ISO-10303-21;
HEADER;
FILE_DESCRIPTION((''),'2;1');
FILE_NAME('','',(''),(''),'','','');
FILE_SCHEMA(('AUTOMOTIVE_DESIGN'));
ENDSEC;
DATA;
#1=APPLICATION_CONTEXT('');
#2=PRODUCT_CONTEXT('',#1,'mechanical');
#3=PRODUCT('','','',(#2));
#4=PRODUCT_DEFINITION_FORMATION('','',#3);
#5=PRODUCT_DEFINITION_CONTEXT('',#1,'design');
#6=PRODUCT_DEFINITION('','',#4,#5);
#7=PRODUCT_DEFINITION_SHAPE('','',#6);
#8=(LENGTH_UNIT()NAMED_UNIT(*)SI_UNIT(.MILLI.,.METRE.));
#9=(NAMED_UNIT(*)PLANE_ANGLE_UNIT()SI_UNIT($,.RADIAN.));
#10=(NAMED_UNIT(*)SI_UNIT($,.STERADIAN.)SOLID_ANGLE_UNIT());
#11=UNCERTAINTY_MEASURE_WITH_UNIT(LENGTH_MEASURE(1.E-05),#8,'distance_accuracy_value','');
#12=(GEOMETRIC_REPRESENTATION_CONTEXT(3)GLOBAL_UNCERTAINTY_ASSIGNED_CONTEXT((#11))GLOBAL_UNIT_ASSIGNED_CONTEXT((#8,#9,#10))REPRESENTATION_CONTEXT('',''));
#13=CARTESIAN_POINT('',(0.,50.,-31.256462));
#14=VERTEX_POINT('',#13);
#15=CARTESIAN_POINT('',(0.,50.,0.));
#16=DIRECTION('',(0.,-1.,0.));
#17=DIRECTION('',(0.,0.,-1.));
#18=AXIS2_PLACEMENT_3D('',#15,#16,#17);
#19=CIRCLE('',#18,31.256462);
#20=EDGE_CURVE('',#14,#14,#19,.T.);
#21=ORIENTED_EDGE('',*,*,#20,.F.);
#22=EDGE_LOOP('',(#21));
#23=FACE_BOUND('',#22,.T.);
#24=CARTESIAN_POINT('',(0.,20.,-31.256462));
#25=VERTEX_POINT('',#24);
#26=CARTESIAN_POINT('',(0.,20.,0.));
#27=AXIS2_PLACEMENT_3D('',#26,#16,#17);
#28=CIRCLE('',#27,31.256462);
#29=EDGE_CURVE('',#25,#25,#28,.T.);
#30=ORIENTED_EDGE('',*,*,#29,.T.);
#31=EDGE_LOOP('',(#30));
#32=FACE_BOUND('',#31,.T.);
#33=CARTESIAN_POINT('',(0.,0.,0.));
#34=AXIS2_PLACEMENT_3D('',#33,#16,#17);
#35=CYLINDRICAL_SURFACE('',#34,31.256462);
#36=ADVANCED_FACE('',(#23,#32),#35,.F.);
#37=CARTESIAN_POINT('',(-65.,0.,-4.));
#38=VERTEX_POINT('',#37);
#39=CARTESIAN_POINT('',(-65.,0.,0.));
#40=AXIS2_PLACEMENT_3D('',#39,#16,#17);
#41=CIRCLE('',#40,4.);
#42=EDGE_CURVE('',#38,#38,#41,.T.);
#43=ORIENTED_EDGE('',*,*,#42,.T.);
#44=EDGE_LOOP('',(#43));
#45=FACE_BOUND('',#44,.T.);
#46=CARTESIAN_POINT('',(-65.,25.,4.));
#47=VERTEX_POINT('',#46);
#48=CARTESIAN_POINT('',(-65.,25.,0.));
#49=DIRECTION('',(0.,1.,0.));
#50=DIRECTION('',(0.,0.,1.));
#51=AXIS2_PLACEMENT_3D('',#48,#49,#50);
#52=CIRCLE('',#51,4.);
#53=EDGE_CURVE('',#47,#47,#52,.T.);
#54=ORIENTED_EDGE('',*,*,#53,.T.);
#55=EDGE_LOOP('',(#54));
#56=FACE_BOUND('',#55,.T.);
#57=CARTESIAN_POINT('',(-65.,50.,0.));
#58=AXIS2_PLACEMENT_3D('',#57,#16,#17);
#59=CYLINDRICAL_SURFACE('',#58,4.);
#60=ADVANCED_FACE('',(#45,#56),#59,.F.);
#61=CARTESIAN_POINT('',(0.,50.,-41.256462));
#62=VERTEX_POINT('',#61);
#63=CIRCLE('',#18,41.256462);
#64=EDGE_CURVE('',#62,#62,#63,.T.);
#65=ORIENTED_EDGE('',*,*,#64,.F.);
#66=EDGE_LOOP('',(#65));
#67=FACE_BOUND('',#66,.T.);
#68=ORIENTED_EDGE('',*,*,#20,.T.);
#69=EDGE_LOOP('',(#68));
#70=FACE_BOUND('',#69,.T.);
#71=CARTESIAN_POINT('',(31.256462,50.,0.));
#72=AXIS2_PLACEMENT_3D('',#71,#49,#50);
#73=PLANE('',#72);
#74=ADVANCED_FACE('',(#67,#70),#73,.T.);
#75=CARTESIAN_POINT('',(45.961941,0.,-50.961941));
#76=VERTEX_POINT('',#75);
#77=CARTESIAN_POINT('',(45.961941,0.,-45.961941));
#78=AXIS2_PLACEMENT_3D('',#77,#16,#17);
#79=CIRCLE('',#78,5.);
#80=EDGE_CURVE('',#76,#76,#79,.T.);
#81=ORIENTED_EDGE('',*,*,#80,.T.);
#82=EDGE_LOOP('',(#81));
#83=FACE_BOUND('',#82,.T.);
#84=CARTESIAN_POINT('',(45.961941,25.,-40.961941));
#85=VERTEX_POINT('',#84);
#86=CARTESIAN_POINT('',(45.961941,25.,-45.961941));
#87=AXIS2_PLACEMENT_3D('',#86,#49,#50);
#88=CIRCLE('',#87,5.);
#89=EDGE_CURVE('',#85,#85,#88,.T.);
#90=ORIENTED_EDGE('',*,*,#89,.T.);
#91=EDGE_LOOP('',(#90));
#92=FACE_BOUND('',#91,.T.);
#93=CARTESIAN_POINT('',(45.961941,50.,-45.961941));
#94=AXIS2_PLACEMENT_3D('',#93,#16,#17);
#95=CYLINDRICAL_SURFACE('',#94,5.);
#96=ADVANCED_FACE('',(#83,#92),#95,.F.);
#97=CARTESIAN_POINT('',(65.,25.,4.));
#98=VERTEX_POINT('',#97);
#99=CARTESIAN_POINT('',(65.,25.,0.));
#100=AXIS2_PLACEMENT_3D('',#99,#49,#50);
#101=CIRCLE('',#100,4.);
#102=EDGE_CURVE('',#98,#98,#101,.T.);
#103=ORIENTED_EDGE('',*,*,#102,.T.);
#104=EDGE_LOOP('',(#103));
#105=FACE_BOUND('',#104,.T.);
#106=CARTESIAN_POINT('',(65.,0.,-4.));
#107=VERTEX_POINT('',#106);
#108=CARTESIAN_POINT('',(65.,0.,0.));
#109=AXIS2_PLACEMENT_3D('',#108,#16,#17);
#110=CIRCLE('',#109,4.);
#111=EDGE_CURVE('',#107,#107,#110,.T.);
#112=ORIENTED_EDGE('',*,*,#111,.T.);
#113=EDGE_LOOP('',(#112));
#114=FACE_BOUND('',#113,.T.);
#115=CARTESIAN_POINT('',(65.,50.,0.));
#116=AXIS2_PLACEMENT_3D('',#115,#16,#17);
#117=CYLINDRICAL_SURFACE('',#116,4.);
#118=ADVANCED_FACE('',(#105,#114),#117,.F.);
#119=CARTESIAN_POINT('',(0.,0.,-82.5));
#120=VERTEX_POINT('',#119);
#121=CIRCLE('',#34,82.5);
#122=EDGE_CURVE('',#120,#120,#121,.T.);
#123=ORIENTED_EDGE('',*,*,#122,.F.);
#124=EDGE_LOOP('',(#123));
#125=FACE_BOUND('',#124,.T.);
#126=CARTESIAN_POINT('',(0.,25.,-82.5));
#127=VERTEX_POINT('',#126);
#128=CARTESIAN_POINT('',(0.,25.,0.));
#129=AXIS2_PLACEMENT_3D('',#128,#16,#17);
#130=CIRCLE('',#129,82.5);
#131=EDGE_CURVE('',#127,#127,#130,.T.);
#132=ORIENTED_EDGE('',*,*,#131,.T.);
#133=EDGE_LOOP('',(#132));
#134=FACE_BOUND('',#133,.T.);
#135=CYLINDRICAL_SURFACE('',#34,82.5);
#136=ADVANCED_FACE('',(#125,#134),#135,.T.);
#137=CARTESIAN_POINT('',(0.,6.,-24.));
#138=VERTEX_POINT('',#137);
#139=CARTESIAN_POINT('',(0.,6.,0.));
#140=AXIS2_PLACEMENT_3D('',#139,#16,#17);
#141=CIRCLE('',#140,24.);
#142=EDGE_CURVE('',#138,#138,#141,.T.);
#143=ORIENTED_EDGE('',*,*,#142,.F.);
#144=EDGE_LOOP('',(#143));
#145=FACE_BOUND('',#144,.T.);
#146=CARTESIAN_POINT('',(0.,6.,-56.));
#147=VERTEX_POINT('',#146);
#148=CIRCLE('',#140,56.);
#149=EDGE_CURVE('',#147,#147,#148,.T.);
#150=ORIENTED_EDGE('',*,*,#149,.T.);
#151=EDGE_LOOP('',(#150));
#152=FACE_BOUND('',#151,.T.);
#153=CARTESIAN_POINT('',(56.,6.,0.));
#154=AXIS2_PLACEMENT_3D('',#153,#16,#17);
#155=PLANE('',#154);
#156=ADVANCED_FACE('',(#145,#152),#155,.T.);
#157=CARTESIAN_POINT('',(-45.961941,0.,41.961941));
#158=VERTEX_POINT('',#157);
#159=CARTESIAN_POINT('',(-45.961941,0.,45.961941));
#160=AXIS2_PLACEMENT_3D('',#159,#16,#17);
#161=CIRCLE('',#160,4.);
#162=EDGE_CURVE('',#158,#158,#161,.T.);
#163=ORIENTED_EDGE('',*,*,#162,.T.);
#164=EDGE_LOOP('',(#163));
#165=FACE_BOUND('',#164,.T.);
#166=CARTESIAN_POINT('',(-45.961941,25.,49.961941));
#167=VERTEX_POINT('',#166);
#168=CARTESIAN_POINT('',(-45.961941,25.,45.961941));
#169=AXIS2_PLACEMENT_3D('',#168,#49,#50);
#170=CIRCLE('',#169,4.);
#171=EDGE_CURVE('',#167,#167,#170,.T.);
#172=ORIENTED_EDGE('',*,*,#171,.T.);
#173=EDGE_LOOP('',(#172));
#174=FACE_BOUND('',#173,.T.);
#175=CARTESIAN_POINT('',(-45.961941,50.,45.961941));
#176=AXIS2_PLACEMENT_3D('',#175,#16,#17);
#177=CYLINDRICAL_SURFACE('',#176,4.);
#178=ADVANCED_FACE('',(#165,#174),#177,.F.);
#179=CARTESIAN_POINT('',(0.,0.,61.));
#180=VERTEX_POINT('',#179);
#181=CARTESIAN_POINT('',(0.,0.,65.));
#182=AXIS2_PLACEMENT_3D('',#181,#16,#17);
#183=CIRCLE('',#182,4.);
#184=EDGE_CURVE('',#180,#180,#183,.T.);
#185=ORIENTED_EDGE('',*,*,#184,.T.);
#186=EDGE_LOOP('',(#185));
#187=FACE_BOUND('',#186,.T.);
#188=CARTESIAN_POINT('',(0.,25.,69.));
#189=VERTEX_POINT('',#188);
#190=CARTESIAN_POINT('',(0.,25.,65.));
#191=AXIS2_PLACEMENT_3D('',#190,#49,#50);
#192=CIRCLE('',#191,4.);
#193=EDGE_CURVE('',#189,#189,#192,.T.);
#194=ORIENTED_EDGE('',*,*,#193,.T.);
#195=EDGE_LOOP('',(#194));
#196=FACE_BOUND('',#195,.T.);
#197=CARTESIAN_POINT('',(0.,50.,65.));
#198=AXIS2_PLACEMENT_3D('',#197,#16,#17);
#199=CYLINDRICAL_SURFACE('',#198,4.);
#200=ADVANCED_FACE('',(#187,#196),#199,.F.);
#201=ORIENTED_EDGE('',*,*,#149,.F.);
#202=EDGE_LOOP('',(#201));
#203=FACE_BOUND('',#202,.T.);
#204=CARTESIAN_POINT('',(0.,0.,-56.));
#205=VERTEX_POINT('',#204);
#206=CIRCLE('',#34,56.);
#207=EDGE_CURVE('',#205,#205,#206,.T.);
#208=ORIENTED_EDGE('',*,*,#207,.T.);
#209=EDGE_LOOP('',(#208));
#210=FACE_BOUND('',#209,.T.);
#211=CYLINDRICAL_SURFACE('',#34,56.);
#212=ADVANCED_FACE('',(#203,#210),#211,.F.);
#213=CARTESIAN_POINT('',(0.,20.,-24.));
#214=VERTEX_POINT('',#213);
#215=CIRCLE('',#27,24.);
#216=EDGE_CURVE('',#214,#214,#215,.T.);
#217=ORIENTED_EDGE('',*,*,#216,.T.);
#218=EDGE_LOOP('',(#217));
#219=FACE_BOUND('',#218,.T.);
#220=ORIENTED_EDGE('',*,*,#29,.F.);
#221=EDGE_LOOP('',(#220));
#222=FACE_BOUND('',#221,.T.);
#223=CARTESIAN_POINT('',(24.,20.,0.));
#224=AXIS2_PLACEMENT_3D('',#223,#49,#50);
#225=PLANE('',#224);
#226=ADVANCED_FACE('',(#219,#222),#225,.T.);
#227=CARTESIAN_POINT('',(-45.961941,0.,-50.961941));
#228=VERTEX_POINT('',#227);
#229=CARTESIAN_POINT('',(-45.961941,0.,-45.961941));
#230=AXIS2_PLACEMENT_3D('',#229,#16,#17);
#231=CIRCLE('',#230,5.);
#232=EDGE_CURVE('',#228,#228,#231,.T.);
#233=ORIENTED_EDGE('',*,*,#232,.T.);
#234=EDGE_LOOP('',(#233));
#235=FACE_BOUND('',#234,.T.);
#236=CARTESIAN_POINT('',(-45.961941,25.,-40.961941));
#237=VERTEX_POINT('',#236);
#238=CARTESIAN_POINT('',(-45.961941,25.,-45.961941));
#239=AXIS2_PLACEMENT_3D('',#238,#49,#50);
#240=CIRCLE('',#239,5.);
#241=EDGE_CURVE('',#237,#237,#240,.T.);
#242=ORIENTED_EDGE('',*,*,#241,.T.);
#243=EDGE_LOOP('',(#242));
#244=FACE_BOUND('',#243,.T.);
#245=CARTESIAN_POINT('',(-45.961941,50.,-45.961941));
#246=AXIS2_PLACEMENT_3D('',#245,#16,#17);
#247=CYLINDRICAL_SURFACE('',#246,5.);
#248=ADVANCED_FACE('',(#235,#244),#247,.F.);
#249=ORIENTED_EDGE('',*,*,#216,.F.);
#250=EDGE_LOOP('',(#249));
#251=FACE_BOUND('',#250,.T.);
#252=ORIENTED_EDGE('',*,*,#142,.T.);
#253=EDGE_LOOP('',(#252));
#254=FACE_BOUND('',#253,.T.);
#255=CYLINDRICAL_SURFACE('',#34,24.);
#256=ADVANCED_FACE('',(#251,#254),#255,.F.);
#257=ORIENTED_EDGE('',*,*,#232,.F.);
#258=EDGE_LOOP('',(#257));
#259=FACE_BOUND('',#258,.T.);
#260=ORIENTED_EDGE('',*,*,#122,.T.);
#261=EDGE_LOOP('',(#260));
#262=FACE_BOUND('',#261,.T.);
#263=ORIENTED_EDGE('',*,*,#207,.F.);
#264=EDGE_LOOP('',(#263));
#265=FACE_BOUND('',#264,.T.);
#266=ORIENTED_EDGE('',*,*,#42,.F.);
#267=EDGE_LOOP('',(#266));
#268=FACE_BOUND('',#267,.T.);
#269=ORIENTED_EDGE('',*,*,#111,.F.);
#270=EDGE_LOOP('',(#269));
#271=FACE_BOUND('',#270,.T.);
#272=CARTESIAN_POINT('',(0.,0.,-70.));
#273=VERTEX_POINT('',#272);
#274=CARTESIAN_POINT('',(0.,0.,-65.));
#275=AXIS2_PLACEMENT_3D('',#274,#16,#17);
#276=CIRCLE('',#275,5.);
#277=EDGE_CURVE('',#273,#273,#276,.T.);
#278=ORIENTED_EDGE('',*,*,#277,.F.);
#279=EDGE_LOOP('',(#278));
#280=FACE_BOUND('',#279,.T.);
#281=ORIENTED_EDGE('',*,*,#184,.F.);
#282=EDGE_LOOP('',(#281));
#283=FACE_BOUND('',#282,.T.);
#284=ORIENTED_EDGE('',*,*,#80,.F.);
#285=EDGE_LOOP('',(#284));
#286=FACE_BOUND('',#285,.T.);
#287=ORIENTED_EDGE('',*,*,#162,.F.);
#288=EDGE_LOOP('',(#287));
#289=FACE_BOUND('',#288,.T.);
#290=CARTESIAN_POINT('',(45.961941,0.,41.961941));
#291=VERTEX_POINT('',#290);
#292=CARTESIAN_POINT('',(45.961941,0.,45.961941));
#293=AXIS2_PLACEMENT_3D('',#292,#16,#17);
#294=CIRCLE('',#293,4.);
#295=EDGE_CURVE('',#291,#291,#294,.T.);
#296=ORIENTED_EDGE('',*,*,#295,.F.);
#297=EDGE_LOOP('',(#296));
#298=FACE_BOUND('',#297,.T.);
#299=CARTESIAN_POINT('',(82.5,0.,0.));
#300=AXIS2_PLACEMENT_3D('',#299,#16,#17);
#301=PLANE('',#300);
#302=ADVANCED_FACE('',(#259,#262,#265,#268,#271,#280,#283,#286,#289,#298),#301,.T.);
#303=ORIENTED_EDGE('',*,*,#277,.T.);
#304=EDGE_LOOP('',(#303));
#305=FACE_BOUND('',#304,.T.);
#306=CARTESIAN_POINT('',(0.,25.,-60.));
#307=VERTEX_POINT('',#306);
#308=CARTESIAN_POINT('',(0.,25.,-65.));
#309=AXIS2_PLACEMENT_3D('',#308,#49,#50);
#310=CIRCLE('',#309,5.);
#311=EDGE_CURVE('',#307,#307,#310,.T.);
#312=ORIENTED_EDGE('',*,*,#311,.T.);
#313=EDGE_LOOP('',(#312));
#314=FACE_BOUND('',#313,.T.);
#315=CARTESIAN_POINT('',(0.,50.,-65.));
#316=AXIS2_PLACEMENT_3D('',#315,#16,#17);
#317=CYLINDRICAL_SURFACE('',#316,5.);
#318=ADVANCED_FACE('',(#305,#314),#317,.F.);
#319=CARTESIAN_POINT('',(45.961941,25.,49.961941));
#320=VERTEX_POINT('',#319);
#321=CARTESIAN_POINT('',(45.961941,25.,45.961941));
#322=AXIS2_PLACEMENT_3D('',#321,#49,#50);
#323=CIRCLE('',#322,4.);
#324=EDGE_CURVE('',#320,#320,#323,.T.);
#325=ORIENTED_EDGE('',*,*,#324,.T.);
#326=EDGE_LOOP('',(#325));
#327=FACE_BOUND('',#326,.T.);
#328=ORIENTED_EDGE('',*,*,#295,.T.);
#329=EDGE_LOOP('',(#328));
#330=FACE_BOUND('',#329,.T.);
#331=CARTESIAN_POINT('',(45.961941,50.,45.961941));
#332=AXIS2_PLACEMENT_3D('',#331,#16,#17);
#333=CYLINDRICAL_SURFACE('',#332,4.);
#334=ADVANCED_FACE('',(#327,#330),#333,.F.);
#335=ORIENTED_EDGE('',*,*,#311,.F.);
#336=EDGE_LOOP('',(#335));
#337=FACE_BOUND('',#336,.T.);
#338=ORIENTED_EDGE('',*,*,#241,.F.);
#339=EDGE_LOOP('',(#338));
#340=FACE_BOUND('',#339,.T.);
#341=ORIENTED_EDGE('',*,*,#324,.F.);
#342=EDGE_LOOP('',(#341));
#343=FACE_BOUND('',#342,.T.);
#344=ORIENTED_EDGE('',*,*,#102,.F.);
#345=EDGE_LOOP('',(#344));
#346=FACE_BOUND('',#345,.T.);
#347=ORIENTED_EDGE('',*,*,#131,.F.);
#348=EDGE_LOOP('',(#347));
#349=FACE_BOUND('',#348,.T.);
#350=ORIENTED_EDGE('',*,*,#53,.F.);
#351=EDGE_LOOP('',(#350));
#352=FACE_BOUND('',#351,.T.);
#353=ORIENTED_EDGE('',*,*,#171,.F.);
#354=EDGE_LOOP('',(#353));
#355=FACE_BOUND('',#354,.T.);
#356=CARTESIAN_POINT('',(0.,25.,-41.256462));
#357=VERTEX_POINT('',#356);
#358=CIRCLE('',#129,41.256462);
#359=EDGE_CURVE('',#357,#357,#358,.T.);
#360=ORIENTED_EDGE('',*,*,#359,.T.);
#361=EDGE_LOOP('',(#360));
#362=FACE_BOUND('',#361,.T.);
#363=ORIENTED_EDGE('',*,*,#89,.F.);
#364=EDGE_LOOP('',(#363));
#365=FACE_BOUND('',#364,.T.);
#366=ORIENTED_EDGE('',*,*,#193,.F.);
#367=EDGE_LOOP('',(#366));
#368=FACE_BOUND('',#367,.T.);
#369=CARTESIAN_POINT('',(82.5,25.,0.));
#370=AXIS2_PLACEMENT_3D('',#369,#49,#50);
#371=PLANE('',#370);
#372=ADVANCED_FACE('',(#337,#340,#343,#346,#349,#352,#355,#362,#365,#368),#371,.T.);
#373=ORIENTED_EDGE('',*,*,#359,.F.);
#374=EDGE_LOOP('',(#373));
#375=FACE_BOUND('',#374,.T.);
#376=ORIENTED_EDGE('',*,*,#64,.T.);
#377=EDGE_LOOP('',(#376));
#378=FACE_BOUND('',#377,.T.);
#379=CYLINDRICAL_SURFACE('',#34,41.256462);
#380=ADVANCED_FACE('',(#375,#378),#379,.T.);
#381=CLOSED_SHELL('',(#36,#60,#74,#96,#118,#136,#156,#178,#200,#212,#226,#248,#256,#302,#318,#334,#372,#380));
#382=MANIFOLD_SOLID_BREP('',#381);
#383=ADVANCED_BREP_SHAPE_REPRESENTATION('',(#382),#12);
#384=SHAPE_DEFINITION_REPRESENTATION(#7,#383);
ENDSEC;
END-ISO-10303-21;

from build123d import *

# Parameters (mm, degrees)
SKETCH3_R          = 4
SKETCH3_R_2        = 5
CUT_EXTRUDE2_DEPTH = 127.935022748


with BuildPart() as part:
    # Sketch2 → Revolve1 (revolve)
    with BuildSketch(Plane.XY, mode=Mode.PRIVATE) as revolve1_sk:
        Polygon((82.5, 0), (56, 0), (56, 6), (24, 6), (24, 20), (31.256462168, 20), (31.256462168, 50), (41.256462168, 50), (41.256462168, 25), (82.5, 25), align=None)
    revolve(revolve1_sk.sketch.rotate(Axis((0, 0, 0), (0, 1, 0)), 90), axis=Axis((0, 0, 0), (0, 1, 0)))

    # Sketch3 → Cut-Extrude2 (cut, through all)
    with BuildSketch(Plane.XZ):
        with Locations(Location((65, 0, 0), (0, 0, 270))):
            Circle(SKETCH3_R)
        with Locations(Location((45.961940777, -45.961940777, 0), (0, 0, 270))):
            Circle(SKETCH3_R_2)
        with Locations(Location((0, -65, 0), (0, 0, 270))):
            Circle(SKETCH3_R_2)
        with Locations(Location((-45.961940777, -45.961940777, 0), (0, 0, 270))):
            Circle(SKETCH3_R_2)
        with Locations(Location((-65, 0, 0), (0, 0, 270))):
            Circle(SKETCH3_R)
        with Locations(Location((-45.961940777, 45.961940777, 0), (0, 0, 270))):
            Circle(SKETCH3_R)
        with Locations(Location((0, 65, 0), (0, 0, 270))):
            Circle(SKETCH3_R)
        with Locations(Location((45.961940777, 45.961940777, 0), (0, 0, 270))):
            Circle(SKETCH3_R)
    extrude(amount=-CUT_EXTRUDE2_DEPTH, mode=Mode.SUBTRACT)


solid = part.part
